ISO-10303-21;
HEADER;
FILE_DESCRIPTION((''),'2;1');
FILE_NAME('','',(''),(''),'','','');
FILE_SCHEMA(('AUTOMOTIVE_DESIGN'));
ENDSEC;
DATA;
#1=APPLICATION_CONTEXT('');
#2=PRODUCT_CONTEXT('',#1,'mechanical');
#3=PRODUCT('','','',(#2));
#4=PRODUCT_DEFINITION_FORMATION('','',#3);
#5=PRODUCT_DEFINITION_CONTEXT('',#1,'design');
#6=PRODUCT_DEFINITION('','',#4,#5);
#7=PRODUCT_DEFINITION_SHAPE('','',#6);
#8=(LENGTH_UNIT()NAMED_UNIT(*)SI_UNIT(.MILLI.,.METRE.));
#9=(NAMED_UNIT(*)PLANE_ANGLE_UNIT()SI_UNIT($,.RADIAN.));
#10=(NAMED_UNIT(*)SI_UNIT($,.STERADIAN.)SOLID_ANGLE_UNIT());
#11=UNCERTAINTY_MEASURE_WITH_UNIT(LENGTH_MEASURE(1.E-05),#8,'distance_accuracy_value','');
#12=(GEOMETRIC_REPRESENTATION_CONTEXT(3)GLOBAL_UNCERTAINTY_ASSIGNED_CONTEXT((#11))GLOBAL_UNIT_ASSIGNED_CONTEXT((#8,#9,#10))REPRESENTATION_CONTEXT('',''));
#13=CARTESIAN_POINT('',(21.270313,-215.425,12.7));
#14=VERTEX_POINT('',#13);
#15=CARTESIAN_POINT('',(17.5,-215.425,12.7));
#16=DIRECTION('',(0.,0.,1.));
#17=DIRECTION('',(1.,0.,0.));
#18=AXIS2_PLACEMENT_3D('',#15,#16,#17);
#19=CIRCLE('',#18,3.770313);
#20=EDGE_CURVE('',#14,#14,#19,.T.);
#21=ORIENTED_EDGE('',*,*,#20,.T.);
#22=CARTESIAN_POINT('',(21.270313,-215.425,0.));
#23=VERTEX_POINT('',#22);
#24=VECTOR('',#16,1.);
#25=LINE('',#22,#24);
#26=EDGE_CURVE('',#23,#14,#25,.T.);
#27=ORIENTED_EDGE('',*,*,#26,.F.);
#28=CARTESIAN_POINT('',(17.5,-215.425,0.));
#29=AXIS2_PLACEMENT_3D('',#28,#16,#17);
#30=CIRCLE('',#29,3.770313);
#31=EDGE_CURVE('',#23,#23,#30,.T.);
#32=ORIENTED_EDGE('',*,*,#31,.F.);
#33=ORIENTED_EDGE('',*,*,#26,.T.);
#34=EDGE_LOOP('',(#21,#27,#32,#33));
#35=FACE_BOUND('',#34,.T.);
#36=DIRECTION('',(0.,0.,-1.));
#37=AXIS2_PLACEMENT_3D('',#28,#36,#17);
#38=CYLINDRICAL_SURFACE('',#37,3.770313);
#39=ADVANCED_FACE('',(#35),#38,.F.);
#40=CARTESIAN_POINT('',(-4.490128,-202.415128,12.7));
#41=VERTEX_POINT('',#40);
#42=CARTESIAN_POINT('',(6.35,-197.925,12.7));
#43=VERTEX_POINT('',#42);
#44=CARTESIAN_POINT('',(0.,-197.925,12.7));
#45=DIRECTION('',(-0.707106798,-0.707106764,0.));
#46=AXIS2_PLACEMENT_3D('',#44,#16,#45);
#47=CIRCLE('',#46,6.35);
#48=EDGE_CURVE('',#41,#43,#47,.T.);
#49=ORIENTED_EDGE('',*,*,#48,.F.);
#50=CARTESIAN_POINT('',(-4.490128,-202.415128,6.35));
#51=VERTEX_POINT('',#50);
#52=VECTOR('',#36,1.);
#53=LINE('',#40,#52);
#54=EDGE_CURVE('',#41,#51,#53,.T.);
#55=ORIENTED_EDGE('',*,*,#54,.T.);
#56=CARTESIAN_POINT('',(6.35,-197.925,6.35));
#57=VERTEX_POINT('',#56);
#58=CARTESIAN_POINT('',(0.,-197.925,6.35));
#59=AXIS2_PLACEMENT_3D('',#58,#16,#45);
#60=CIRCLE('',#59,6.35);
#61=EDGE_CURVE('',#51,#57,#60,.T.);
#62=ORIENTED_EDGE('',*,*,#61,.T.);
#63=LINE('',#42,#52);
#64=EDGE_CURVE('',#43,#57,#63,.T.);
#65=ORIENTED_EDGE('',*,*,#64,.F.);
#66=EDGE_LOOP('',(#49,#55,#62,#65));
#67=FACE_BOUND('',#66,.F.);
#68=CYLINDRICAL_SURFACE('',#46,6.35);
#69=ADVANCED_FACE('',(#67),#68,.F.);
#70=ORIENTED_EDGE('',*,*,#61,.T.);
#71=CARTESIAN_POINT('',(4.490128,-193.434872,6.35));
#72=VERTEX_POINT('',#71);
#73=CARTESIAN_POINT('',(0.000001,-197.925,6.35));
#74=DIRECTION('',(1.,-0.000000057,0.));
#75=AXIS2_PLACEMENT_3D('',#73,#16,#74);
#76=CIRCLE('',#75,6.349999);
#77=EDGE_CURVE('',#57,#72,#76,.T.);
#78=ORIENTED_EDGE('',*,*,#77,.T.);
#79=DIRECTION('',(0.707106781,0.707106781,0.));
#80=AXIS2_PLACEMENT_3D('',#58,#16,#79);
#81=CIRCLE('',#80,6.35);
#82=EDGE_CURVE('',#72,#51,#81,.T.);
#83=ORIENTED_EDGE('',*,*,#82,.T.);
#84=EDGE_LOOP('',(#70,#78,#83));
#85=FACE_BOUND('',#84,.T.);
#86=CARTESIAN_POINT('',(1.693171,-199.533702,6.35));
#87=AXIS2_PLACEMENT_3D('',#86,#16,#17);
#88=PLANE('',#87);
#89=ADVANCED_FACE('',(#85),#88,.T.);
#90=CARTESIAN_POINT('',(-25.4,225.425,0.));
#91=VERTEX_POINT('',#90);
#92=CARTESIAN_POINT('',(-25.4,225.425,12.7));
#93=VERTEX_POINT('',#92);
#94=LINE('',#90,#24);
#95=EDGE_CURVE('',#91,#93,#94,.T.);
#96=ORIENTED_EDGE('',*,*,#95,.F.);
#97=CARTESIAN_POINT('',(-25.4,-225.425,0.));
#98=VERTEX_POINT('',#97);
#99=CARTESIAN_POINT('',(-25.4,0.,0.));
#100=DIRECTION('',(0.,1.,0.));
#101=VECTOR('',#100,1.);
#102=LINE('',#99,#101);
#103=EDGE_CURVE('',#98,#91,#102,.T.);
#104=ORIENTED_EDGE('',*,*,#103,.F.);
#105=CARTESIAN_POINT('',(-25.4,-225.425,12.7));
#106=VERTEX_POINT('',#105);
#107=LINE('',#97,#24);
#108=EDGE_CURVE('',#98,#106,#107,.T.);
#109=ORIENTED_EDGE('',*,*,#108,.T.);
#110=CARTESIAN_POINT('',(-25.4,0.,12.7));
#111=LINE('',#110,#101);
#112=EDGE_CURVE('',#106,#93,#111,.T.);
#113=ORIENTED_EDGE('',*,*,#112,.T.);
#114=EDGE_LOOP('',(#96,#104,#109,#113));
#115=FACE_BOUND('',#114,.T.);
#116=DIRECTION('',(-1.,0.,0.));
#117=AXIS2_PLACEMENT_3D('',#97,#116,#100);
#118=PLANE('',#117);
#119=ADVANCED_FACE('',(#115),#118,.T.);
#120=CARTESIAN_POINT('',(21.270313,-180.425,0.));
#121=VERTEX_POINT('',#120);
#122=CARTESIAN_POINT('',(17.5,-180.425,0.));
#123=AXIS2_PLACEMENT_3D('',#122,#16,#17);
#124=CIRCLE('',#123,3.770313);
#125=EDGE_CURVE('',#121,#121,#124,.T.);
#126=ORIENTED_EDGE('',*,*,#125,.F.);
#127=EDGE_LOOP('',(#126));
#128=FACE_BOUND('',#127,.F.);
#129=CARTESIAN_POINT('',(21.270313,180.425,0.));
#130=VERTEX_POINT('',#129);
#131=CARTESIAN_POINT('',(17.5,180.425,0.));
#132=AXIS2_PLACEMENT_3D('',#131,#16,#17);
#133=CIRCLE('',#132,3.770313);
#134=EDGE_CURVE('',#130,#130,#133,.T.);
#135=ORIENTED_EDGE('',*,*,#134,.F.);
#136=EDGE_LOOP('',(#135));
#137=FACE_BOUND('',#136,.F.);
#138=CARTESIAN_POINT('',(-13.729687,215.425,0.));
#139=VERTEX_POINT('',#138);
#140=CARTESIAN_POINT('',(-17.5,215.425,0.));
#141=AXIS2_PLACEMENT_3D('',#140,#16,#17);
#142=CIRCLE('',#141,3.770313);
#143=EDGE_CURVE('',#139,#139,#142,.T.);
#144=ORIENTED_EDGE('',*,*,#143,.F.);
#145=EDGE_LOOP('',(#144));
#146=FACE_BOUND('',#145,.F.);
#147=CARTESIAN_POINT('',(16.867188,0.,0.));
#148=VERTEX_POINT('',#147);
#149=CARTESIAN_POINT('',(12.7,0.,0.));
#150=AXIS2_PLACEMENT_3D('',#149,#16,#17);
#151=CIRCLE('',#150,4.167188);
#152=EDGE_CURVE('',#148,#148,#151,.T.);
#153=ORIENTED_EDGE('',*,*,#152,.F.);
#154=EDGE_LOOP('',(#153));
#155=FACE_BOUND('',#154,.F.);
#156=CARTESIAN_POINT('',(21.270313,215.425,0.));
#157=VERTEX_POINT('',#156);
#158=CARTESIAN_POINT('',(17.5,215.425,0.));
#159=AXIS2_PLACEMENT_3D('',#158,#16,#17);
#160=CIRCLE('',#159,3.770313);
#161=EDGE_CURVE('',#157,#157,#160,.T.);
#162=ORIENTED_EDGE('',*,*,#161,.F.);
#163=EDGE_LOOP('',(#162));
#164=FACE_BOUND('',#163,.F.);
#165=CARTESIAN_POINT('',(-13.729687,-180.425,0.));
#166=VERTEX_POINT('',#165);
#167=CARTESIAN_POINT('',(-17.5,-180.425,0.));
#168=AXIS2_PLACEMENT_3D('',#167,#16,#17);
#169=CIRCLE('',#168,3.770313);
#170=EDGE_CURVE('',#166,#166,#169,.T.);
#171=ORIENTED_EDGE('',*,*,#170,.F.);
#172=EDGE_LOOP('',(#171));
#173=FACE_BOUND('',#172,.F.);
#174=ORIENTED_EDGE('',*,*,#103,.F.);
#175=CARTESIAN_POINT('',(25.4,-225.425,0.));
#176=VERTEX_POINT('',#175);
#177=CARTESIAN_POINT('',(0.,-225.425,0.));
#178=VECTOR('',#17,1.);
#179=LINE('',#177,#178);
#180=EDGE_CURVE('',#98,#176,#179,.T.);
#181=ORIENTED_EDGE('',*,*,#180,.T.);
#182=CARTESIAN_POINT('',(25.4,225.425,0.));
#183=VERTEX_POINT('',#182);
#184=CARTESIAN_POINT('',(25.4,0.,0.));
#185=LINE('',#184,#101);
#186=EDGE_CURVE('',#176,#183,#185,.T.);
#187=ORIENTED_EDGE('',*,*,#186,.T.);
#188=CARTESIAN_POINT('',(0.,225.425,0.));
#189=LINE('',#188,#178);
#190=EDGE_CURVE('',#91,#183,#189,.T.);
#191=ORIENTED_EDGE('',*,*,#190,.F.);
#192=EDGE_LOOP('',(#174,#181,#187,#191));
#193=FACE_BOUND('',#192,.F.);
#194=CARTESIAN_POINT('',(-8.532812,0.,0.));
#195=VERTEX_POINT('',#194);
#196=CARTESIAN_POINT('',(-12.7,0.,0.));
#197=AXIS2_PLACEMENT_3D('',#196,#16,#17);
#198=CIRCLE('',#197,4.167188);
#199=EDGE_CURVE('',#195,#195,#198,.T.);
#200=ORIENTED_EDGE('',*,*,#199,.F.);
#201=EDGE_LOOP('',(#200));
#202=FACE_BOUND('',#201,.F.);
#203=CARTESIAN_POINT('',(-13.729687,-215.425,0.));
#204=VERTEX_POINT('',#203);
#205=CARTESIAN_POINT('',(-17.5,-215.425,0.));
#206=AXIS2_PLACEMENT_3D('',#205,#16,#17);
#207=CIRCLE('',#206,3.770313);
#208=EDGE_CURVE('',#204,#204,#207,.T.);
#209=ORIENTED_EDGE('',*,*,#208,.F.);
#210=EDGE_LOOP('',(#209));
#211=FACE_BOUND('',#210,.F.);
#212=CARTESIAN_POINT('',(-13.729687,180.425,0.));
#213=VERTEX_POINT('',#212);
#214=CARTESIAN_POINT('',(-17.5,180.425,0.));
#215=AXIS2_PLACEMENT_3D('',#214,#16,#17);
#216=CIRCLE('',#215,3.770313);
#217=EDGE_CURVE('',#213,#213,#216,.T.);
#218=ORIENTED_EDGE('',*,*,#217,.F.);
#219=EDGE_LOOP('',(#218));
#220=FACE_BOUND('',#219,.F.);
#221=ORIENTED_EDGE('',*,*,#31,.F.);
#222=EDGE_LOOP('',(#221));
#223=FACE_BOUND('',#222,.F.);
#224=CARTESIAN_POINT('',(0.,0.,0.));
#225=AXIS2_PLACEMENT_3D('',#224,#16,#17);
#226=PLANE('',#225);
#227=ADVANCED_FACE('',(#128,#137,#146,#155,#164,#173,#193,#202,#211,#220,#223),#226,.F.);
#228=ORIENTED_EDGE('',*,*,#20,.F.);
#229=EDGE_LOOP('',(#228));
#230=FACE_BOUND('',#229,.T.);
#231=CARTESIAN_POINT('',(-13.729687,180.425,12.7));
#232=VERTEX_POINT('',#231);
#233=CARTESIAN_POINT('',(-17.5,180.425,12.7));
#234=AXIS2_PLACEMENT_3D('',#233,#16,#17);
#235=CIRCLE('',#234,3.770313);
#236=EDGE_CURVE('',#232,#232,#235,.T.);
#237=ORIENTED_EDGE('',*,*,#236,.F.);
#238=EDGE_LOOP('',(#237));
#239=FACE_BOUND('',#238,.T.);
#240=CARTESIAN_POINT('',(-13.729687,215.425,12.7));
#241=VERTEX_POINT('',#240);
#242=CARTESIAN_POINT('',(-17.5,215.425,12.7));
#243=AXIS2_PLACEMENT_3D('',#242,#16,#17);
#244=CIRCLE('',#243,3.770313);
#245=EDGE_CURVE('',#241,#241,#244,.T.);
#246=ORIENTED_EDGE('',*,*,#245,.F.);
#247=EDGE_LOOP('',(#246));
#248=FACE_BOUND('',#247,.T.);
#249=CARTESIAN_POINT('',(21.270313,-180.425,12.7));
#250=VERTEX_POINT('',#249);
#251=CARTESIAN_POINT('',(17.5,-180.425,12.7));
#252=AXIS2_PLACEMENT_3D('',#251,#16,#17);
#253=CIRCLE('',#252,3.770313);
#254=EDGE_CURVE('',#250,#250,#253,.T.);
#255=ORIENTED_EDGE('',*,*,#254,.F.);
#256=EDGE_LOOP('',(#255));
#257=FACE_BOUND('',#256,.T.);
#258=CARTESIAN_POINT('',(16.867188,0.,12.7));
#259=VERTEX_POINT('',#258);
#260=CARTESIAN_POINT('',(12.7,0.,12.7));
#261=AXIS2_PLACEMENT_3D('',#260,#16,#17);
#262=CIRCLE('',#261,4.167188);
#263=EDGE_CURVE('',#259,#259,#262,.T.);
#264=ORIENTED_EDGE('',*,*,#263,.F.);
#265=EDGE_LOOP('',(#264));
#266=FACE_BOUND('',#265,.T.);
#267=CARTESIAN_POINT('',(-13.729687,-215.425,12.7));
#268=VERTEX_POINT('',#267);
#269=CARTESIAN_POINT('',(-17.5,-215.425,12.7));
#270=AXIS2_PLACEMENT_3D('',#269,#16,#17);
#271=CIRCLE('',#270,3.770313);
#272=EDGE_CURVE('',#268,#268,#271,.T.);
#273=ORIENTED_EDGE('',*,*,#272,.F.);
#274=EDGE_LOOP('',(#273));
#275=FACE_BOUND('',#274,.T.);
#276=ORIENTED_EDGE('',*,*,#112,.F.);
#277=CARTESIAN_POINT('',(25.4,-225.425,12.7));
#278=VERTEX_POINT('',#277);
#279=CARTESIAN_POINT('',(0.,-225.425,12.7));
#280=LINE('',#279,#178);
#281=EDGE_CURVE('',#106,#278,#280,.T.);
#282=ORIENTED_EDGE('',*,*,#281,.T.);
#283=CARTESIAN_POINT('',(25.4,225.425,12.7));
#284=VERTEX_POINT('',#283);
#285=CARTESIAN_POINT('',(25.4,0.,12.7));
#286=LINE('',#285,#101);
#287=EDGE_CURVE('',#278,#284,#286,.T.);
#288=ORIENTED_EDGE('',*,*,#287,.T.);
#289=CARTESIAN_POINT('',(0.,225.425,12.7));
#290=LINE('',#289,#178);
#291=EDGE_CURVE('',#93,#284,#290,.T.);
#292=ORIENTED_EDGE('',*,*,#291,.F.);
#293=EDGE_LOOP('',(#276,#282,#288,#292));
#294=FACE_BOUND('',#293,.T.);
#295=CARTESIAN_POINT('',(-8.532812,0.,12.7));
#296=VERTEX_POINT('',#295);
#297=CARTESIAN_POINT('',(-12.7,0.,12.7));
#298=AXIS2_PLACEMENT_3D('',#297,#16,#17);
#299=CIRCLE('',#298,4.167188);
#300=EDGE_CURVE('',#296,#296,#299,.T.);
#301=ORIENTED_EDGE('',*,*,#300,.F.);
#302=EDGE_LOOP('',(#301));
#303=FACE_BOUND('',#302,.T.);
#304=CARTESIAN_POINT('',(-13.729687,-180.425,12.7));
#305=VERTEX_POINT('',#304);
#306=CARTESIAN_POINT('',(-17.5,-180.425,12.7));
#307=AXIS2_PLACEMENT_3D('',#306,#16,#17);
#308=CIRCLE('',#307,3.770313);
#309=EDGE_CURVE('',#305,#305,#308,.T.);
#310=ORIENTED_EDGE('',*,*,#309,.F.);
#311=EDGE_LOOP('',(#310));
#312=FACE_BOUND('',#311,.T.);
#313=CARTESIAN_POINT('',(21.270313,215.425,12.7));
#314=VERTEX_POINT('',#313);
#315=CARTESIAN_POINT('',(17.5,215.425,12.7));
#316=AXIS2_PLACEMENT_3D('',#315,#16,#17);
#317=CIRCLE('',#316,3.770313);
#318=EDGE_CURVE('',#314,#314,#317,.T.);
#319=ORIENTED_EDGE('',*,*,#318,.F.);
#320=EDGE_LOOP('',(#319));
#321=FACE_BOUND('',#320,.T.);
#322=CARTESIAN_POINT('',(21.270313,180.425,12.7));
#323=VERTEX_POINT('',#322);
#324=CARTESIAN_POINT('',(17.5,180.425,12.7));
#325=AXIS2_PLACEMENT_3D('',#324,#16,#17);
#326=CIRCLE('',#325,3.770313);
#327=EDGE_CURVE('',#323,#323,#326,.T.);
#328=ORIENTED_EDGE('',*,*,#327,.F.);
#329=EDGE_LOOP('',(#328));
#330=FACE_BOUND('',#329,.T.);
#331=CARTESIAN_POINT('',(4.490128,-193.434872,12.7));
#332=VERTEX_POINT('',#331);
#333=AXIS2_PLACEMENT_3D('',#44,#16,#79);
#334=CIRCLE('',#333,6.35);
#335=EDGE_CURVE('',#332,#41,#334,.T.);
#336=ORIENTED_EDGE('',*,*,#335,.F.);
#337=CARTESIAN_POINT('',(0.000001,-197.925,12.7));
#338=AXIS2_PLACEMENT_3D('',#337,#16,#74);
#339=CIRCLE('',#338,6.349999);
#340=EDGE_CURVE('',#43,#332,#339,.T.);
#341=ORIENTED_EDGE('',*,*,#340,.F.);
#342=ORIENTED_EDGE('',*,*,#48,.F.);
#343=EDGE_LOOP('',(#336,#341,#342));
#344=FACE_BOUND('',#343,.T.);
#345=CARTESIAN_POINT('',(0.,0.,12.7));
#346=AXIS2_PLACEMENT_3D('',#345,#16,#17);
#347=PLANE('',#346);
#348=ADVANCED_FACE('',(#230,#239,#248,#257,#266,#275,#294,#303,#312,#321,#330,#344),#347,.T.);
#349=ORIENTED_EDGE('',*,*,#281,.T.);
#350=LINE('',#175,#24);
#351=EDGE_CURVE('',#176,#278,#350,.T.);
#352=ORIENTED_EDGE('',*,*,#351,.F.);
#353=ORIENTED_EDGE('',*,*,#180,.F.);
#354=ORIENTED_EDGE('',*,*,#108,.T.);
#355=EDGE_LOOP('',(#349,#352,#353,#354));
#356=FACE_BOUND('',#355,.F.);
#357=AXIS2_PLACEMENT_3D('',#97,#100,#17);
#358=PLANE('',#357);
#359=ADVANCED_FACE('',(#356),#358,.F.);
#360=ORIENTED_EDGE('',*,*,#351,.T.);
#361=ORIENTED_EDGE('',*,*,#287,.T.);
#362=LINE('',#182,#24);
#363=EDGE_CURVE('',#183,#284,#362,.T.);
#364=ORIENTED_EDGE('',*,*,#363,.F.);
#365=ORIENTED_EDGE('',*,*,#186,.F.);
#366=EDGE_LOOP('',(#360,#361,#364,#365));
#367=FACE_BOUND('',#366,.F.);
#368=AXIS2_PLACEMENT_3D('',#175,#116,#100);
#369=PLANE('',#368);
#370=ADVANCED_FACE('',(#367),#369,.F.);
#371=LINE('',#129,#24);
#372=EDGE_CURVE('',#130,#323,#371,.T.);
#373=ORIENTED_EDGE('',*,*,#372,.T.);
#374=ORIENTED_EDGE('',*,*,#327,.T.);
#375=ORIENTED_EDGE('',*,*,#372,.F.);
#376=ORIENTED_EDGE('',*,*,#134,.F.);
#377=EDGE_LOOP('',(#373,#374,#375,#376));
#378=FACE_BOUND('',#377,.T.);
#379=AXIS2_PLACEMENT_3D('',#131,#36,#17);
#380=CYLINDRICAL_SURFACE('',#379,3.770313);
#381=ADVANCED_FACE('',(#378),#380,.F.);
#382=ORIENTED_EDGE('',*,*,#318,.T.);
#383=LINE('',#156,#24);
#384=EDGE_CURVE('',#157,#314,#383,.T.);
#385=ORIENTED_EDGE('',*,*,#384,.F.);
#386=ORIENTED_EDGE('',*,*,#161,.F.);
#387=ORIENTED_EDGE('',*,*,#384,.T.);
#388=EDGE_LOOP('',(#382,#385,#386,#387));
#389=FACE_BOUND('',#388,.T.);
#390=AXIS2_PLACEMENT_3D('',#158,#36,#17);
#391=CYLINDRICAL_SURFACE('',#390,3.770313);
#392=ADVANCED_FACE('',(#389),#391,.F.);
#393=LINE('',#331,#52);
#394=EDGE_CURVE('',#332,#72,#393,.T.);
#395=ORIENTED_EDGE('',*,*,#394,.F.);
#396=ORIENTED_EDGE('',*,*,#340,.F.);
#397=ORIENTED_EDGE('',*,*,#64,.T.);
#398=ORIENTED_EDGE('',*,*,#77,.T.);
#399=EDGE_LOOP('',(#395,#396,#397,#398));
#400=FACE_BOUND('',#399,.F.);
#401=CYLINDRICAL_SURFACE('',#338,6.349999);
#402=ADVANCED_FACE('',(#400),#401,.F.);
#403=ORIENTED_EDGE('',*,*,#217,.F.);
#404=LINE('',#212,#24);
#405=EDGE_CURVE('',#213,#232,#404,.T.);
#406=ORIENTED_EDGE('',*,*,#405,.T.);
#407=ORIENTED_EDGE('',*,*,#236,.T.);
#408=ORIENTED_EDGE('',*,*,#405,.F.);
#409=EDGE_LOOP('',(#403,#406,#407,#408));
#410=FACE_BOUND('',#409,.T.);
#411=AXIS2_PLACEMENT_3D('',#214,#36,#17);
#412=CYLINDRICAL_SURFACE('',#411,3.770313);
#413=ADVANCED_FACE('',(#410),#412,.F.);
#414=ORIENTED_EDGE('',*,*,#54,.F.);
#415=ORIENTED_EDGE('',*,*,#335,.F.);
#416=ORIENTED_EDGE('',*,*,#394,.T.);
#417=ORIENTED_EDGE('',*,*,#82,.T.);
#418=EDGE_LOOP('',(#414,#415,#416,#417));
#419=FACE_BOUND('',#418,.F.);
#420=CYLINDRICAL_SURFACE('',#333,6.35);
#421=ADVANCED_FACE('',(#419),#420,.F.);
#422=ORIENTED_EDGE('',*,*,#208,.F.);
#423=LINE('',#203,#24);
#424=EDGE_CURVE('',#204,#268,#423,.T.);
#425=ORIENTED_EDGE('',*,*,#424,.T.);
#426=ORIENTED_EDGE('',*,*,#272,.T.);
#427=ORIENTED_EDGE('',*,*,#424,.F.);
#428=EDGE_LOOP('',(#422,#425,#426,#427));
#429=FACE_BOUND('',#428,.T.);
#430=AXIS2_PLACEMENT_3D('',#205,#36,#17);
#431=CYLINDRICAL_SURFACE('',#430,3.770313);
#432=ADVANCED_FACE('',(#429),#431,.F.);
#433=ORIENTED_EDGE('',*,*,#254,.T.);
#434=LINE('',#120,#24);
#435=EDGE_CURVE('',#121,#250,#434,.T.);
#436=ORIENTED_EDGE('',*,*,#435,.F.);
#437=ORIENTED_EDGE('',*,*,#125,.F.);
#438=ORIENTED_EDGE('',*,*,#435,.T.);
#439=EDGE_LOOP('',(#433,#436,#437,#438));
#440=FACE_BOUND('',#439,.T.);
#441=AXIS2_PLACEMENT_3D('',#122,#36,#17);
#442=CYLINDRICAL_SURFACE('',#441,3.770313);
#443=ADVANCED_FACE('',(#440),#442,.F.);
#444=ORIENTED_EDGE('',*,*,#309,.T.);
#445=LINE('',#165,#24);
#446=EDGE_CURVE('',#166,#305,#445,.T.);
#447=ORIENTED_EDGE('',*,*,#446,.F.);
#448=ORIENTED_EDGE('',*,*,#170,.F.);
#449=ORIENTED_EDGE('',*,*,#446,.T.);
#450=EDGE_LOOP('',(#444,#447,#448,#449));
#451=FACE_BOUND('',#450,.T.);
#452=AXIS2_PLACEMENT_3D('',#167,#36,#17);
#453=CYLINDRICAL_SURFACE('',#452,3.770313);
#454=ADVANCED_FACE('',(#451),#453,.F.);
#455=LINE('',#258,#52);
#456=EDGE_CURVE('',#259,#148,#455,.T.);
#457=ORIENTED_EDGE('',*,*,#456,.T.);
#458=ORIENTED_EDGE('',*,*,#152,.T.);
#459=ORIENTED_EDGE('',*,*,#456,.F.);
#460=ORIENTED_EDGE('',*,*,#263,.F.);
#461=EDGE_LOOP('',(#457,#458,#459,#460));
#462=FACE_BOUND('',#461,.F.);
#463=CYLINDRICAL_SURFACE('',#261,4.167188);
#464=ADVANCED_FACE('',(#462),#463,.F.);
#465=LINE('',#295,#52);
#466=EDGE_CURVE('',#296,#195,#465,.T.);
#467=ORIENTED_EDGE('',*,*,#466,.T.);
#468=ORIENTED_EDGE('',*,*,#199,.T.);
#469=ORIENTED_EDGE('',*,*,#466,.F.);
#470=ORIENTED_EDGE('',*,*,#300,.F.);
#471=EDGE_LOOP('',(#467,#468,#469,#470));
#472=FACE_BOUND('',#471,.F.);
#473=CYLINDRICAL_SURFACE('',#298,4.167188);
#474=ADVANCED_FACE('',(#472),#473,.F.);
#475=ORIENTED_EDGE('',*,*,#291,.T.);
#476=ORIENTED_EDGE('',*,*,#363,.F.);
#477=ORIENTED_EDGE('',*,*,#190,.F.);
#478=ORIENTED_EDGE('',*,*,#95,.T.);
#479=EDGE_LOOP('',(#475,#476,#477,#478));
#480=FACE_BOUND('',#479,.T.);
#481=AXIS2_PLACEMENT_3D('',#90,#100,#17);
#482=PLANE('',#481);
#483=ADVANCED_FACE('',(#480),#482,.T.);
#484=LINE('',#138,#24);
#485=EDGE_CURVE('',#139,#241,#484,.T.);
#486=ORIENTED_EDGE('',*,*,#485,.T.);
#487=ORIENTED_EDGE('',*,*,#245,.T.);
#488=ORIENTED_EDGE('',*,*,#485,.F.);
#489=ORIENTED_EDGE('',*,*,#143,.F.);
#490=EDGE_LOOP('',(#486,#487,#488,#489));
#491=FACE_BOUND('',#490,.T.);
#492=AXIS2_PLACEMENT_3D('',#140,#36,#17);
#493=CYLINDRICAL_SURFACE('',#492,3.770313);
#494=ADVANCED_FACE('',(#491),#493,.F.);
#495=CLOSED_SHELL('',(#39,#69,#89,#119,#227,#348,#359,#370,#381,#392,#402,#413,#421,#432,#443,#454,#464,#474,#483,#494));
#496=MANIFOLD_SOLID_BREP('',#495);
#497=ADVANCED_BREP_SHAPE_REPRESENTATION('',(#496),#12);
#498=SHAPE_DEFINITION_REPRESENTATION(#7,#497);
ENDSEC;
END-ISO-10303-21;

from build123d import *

# Parameters (mm, degrees)
F0_W     = 50.8
F0_H     = 450.85
F0_R     = 3.770313
F1_DEPTH = 12.7
F2_R     = 4.167188
F3_DEPTH = 25.4
F5_DEPTH = 6.35


with BuildPart() as f1:
    # F0 (on Top) → F1 (new body)
    with BuildSketch(Plane.XY):
        Rectangle(F0_W, F0_H)
        with Locations((-17.5, -215.425)):
            Circle(F0_R, mode=Mode.SUBTRACT)
        with Locations((-17.5, -180.425)):
            Circle(F0_R, mode=Mode.SUBTRACT)
        with Locations((17.5, -215.425)):
            Circle(F0_R, mode=Mode.SUBTRACT)
        with Locations((17.5, -180.425)):
            Circle(F0_R, mode=Mode.SUBTRACT)
        with Locations((-17.5, 180.425)):
            Circle(F0_R, mode=Mode.SUBTRACT)
        with Locations((-17.5, 215.425)):
            Circle(F0_R, mode=Mode.SUBTRACT)
        with Locations((17.5, 180.425)):
            Circle(F0_R, mode=Mode.SUBTRACT)
        with Locations((17.5, 215.425)):
            Circle(F0_R, mode=Mode.SUBTRACT)
    extrude(amount=F1_DEPTH)

    # F2 (on face) → F3 (cut)
    with BuildSketch(Plane.XY.offset(12.7)):
        with Locations((-12.7, 0)):
            Circle(F2_R)
        with Locations((12.7, 0)):
            Circle(F2_R)
    extrude(amount=-F3_DEPTH, mode=Mode.SUBTRACT)

    # F4 (on face) → F5 (cut)
    with BuildSketch(Plane.XY.offset(12.7)):
        with BuildLine():
            ThreePointArc((-4.490128, -202.415128), (2.43004, -203.791635), (6.35, -197.925))
            ThreePointArc((6.35, -197.925), (5.866635, -195.49496), (4.490128, -193.434872))
            Line((4.490128, -193.434872), (-4.490128, -202.415128))
        make_face()
        with BuildLine():
            Line((-4.490128, -202.415128), (4.490128, -193.434872))
            ThreePointArc((4.490128, -193.434872), (-4.490128, -193.434872), (-4.490128, -202.415128))
        make_face()
    extrude(amount=-F5_DEPTH, mode=Mode.SUBTRACT)


solid = f1.part
